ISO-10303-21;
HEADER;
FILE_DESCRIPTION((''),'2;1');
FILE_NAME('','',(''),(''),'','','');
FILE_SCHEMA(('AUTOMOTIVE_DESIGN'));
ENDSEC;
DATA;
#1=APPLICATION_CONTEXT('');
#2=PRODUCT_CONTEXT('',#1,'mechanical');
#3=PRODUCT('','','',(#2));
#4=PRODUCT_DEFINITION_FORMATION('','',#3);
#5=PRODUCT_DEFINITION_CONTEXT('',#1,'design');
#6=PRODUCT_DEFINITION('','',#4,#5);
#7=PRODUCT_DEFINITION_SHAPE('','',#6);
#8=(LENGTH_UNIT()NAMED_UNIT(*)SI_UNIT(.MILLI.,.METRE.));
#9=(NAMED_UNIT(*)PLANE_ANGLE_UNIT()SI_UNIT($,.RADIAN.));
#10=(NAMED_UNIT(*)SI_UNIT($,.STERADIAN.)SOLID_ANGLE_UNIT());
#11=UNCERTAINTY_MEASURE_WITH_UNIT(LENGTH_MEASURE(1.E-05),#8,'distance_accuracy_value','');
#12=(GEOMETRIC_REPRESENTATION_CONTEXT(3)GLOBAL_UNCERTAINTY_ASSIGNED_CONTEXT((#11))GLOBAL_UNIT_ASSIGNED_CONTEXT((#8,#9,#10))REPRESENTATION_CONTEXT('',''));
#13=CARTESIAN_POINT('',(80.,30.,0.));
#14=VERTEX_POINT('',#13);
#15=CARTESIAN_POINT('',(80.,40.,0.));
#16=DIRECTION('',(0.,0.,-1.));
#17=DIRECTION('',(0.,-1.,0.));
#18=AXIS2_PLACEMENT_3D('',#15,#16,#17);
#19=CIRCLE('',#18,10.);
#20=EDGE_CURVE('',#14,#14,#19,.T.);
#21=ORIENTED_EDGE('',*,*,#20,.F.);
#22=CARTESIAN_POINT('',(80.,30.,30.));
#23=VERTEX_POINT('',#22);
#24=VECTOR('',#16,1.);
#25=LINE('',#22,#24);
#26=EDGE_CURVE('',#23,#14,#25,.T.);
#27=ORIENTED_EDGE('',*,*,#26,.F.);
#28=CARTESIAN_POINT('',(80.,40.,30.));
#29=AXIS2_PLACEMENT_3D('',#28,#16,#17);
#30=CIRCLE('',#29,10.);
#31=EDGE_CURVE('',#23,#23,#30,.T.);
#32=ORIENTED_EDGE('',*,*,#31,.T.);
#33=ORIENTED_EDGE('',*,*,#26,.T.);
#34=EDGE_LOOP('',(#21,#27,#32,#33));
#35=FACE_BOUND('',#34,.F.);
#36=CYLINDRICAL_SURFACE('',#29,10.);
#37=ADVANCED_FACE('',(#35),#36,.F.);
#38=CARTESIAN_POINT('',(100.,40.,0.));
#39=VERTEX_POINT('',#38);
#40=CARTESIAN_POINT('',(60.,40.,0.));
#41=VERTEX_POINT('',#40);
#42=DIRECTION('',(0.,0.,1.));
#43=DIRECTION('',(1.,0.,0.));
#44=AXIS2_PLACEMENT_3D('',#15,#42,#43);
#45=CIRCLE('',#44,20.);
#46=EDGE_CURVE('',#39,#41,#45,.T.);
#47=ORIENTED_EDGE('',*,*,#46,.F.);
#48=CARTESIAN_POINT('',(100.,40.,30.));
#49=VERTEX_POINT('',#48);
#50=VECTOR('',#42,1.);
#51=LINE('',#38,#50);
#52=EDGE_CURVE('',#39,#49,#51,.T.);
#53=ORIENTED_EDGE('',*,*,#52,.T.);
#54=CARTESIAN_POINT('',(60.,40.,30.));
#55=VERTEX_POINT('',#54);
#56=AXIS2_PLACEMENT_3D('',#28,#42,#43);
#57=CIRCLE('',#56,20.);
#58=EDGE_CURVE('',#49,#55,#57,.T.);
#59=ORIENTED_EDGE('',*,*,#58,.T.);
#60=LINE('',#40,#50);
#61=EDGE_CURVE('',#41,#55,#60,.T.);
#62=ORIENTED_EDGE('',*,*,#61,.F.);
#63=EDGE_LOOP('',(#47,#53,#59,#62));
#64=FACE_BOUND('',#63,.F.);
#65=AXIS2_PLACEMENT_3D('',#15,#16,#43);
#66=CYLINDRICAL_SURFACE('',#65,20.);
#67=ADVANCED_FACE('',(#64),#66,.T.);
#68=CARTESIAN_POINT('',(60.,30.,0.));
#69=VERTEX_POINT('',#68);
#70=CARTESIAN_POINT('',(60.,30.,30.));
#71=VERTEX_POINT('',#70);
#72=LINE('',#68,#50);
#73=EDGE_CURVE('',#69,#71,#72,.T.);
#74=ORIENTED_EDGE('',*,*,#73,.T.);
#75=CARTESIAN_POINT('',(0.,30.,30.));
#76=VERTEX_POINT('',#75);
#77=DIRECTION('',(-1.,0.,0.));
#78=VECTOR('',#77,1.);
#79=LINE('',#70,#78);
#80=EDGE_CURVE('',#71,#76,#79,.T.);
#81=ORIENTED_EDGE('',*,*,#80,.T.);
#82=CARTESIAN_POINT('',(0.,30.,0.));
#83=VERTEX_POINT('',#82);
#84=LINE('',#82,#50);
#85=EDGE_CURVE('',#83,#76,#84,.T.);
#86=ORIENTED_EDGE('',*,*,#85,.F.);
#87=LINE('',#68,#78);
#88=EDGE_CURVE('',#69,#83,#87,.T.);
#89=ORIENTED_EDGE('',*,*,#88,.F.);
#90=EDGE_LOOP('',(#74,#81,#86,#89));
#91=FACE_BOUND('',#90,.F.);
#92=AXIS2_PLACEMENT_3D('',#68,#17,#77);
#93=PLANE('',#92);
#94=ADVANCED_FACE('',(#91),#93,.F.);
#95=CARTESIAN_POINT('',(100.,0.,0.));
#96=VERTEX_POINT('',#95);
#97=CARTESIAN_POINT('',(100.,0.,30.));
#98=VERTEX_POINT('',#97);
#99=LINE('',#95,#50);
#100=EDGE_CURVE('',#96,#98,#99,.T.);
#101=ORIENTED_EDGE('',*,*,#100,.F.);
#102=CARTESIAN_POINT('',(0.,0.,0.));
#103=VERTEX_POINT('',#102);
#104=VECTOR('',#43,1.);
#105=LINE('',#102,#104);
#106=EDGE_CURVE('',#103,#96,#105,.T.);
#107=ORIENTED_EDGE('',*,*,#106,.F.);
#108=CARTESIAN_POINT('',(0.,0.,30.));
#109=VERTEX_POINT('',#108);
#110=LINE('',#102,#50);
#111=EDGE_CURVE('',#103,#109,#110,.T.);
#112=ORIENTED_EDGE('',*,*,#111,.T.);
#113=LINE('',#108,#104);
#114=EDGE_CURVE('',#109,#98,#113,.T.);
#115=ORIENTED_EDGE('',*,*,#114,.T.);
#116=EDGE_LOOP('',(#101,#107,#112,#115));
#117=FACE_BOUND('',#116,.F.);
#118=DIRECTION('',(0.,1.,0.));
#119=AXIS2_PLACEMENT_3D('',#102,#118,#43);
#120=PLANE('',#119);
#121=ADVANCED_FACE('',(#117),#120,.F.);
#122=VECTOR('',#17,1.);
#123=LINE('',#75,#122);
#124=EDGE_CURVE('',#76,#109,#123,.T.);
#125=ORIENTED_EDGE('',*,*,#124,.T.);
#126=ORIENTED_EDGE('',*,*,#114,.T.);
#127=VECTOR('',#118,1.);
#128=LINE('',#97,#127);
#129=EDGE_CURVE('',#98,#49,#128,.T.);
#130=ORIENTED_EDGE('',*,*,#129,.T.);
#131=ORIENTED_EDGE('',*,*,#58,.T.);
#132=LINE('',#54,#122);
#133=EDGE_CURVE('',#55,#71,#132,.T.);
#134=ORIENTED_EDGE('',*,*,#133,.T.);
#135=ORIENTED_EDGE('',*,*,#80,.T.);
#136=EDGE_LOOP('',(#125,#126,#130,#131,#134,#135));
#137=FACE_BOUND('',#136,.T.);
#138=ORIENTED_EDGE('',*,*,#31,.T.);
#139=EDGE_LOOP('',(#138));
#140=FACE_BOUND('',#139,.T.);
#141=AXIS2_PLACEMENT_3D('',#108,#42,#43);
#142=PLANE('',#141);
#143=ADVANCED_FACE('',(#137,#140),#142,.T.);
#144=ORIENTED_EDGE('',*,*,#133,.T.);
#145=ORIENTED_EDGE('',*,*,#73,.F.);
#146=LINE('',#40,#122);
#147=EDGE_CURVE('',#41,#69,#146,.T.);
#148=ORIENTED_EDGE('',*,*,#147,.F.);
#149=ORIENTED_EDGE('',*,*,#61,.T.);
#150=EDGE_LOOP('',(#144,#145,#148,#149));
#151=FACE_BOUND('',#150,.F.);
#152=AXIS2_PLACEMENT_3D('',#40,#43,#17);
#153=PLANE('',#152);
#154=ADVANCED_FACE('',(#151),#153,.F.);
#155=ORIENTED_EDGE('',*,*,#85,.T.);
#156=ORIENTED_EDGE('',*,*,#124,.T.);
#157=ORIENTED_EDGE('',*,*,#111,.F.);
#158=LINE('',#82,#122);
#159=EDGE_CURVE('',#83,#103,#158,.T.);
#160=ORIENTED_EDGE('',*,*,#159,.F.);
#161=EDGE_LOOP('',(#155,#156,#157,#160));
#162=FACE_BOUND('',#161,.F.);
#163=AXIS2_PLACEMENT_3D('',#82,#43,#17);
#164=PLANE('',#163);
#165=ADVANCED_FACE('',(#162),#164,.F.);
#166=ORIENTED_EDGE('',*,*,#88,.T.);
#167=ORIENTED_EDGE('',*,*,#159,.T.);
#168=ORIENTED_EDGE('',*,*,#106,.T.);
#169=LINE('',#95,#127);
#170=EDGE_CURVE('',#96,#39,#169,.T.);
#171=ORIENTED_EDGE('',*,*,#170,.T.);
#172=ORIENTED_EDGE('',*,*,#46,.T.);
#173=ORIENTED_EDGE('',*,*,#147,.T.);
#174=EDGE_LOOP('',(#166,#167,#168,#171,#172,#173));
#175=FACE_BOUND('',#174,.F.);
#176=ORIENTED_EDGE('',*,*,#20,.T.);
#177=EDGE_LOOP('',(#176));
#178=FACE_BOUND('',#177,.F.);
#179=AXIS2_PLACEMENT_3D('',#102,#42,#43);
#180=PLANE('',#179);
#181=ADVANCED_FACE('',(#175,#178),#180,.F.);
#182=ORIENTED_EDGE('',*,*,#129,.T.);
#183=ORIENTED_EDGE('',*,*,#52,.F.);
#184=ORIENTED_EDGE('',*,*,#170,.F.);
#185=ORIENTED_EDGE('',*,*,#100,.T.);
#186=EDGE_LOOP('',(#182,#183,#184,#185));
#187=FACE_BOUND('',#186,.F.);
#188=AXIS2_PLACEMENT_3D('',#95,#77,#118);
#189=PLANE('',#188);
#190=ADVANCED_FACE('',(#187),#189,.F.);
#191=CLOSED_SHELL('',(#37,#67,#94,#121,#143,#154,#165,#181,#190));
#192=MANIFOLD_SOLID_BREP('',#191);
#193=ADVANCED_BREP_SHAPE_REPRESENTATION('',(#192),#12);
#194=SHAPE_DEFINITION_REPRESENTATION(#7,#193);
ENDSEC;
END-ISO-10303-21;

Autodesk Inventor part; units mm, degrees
ref_plane "YZ Plane" through (0, 0, 0) normal (1, 0, 0) x (0, 1, 0)
ref_plane "XZ Plane" through (0, 0, 0) normal (0, 1, 0) x (-1, 0, 0)
ref_plane "XY Plane" through (0, 0, 0) normal (0, 0, 1) x (1, 0, 0)
sketch "Esboço1" plane through (0, 0, 0) normal (0, 0, 1) x (1, 0, 0)
  line L0 (0, 0) -> (100, 0)
  line L1 (100, 0) -> (100, 40)
  line L2 (60, 40) -> (60, 30)
  line L3 (60, 30) -> (0, 30)
  line L4 (0, 30) -> (0, 0)
  arc A0 (100, 40) -> (60, 40) centre (80, 40) ccw
  dimension "d0" = 100
  dimension "d3" = 40
  dimension "d4" = 30
  dimension "d5" = 20
extrude "Extrusão1" add sketch "Esboço1" along normal blind 30
sketch "Esboço2" plane through (0, 0, 30) normal (0, 0, 1) x (1, 0, 0)
  arc A0 (100, 40) -> (60, 40) centre (80, 40) ccw projected
  point P0 (0, 0)
hole "Furo1" at (80, 40, 30) direction (0, 0, -1) diameter 20 end through all
